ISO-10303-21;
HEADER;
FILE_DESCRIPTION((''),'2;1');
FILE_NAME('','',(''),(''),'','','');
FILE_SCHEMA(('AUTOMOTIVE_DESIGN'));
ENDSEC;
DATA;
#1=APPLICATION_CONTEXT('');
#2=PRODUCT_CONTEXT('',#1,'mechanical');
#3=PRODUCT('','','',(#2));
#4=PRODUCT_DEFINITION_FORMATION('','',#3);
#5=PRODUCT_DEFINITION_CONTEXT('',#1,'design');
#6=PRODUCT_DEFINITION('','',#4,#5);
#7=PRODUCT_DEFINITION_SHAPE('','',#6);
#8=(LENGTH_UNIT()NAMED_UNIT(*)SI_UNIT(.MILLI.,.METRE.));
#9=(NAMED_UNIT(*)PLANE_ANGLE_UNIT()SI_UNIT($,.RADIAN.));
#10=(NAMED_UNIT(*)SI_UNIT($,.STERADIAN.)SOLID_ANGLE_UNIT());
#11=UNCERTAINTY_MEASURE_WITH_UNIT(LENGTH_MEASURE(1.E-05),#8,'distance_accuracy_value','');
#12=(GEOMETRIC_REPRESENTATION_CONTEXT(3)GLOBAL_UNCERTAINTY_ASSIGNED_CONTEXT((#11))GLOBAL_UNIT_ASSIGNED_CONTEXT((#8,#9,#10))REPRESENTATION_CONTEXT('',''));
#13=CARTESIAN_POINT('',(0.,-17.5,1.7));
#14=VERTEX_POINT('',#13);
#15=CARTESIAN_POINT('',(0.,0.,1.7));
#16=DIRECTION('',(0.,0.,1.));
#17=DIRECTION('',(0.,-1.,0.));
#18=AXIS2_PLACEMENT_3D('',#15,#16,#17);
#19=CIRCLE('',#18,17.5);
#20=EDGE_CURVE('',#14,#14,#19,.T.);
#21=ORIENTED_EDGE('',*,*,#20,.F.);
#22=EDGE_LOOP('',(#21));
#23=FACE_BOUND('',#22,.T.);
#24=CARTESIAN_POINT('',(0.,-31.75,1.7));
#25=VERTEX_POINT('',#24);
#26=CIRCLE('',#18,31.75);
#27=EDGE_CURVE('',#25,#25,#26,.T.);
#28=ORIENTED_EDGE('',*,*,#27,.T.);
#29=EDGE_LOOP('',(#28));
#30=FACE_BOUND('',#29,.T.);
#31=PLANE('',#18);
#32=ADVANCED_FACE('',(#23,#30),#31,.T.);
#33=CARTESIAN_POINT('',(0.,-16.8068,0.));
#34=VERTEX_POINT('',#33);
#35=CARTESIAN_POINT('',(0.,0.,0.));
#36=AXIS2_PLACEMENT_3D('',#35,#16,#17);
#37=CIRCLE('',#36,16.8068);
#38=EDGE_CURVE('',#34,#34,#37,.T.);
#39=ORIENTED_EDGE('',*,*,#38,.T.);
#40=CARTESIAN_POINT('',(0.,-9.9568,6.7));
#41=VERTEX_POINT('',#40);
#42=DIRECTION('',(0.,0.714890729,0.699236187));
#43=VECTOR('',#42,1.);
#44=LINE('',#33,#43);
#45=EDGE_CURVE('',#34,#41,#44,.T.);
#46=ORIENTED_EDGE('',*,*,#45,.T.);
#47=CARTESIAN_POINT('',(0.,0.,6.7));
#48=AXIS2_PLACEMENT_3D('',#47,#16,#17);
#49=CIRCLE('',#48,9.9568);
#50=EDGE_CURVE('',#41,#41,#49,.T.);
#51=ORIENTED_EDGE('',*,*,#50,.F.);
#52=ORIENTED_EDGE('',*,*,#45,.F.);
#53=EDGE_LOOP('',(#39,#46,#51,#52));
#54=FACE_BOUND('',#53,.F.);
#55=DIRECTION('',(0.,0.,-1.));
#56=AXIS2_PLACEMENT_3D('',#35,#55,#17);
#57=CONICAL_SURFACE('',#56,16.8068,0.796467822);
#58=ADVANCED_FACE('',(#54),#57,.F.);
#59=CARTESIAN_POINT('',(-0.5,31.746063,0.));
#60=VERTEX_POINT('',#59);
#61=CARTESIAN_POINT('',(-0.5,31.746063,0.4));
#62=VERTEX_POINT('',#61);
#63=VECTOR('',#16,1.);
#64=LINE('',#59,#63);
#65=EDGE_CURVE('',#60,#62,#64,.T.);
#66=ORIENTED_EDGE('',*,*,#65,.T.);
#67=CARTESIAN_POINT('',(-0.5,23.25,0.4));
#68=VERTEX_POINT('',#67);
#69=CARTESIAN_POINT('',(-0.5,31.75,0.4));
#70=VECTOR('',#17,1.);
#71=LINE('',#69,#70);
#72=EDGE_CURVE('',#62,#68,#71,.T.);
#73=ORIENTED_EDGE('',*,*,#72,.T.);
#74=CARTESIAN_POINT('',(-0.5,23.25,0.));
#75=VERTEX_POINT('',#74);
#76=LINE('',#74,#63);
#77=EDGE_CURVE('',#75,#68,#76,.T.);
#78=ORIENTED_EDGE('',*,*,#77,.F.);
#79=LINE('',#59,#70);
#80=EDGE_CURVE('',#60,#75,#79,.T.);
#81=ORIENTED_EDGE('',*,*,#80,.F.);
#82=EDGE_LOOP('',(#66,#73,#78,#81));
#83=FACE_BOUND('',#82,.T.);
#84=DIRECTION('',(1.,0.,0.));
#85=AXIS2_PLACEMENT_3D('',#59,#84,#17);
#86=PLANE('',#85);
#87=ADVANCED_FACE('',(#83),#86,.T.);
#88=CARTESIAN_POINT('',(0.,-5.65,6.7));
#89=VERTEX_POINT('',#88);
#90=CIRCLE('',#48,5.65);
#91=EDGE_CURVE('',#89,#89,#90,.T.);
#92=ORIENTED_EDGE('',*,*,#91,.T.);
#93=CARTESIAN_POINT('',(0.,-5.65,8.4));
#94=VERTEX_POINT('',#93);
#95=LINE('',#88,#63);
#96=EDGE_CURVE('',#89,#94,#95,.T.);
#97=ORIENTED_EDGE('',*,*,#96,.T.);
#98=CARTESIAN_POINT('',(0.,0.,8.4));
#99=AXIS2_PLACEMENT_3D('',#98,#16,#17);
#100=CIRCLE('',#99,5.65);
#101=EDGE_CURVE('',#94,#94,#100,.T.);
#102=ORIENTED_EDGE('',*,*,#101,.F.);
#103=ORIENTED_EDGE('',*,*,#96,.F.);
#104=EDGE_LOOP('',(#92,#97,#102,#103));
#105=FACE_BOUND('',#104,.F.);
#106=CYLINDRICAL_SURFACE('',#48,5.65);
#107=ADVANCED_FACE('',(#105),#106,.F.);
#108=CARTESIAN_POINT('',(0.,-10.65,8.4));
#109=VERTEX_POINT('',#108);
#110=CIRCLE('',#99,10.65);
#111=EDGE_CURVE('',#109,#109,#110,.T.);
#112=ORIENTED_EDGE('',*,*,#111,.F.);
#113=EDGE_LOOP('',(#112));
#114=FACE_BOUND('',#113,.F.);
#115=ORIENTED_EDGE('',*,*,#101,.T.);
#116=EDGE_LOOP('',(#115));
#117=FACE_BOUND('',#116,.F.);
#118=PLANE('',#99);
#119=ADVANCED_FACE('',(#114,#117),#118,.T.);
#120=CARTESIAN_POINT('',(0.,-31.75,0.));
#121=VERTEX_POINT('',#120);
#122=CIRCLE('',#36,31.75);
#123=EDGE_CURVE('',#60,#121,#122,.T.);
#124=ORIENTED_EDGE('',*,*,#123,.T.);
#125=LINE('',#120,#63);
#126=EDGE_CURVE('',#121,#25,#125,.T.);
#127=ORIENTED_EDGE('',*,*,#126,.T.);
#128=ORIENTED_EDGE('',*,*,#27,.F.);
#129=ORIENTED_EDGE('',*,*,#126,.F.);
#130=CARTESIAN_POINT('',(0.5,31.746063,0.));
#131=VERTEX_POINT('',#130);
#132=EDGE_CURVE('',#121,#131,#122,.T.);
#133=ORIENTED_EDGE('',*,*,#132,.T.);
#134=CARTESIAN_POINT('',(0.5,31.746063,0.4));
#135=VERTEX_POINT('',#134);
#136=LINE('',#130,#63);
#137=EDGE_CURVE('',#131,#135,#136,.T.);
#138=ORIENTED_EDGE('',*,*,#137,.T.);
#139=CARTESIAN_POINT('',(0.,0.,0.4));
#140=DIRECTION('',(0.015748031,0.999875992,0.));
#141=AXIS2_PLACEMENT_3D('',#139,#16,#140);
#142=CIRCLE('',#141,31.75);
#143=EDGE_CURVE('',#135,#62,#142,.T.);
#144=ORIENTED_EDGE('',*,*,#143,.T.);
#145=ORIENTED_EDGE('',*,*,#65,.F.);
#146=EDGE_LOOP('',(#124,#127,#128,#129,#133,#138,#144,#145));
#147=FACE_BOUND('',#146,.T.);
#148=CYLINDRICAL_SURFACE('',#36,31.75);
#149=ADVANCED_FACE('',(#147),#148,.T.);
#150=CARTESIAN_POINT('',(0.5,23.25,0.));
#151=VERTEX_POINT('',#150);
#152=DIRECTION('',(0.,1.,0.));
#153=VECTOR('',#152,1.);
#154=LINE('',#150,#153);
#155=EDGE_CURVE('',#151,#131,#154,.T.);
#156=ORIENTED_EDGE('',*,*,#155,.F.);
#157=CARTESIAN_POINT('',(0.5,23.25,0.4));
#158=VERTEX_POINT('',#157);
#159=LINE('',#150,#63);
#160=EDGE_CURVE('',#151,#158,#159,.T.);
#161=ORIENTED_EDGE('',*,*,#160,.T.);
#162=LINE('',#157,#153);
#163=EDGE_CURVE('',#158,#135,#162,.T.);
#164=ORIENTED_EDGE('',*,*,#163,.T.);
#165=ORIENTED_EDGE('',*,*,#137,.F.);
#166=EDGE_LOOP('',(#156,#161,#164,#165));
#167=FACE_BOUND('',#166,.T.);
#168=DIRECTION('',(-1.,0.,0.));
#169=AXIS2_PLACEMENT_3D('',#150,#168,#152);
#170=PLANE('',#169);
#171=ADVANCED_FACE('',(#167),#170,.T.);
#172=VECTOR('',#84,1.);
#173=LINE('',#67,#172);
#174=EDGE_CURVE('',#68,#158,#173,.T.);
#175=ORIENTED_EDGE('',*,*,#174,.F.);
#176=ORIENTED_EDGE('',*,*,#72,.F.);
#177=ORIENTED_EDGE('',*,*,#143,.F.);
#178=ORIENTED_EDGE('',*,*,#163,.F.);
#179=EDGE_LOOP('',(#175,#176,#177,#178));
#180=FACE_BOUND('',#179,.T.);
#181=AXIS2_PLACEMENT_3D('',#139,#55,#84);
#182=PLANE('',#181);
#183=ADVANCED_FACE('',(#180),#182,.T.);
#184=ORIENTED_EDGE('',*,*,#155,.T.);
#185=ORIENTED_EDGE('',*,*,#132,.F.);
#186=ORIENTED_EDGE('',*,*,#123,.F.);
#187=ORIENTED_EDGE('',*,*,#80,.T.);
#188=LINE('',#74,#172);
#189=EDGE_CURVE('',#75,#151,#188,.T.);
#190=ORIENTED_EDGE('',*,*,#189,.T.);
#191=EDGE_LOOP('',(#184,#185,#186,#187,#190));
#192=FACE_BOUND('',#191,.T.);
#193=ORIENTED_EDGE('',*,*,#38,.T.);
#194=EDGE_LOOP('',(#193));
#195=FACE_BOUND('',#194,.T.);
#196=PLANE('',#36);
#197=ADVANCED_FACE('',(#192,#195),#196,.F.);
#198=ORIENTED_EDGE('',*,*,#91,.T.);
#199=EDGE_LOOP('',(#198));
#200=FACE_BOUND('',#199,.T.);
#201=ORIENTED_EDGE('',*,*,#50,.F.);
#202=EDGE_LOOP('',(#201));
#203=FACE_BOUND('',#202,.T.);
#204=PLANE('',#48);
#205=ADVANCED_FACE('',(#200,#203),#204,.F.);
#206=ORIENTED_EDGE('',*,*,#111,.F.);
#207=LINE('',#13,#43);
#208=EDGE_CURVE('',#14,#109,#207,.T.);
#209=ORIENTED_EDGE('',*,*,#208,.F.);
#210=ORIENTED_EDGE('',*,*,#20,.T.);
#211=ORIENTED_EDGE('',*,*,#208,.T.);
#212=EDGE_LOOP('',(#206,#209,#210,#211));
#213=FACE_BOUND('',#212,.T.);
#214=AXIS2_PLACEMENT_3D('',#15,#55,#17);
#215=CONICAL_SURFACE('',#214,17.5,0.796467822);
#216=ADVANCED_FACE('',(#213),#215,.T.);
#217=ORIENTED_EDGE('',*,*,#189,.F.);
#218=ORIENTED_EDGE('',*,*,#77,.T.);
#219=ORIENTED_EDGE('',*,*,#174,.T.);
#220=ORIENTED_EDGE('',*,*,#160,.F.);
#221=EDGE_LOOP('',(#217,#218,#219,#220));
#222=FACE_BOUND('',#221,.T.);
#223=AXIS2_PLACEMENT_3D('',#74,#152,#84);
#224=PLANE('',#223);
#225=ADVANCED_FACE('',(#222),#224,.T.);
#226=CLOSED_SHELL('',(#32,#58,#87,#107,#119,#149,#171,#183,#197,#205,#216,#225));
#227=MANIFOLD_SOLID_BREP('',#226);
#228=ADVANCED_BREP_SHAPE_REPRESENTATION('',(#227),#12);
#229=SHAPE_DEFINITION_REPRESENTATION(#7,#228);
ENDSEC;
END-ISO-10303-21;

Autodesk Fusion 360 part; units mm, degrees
sketch "Sketch1" plane through (0, 0, 0) normal (1, 0, 0) x (0, 1, 0)
  line L0 (-31.75, 0) -> (31.75, 0) construction
  line L1 (-31.75, 0) -> (-31.75, 1.7)
  line L2 (31.75, 0) -> (31.75, 1.7)
  line L3 (0, 0) -> (0, 8.4) construction
  line L4 (-5.65, 8.4) -> (5.65, 8.4) construction
  line L5 (-10.65, 8.4) -> (10.65, 8.4) construction
  line L6 (-5.65, 8.4) -> (-10.65, 8.4)
  line L7 (5.65, 8.4) -> (10.65, 8.4)
  line L8 (-17.5, 1.7) -> (17.5, 1.7) construction
  line L9 (-31.75, 1.7) -> (-17.5, 1.7)
  line L10 (-17.5, 1.7) -> (-10.65, 8.4)
  line L11 (31.75, 1.7) -> (17.5, 1.7)
  line L12 (17.5, 1.7) -> (10.65, 8.4)
  line L13 (-30.05, 0) -> (-16.8068, 0)
  line L14 (-16.8068, 0) -> (-9.9568, 6.7)
  line L15 (-5.65, 6.7) -> (-9.9568, 6.7)
  line L16 (30.05, 0) -> (16.8068, 0)
  line L17 (16.8068, 0) -> (9.9568, 6.7)
  line L18 (5.65, 6.7) -> (9.9568, 6.7)
  line L19 (-5.65, 6.7) -> (-5.65, 8.4)
  line L20 (5.65, 6.7) -> (5.65, 8.4)
  line L21 (-30.05, 0) -> (-31.75, 0)
  line L22 (30.05, 0) -> (31.75, 0)
  dimension "d1" = 63.5
  dimension "d2" = 1.7
  dimension "d3" = 1.7
  dimension "d4" = 8.4
  dimension "d5" = 11.3
  dimension "d6" = 21.3
  dimension "d7" = 5
  dimension "d8" = 5
  dimension "d9" = 35
  dimension "d10" = 1.7
  dimension "d11" = -1.7
revolve "Revolve1" add sketch "Sketch1" angle 360 about axis through (0, 0, 0) along (0, 0, 1) contours L1 L6 L9 L10 L13 L14 L15 L19 L21
sketch "Sketch2" plane through (0, 0, 0) normal (0, 0, -1) x (1, 0, 0)
  circle A0 centre (0, 0) radius 16.8068
  circle A1 centre (0, 0) radius 31.75
  line L0 (0.5, -31.75) -> (-0.5, -31.75)
  line L1 (-0.5, -31.75) -> (-0.5, -23.25)
  line L2 (-0.5, -23.25) -> (0.5, -23.25)
  line L3 (0.5, -23.25) -> (0.5, -31.75)
  circle A2 centre (0, 0) radius 31.75
  line L4 (0, -31.75) -> (0, 31.75) construction
  dimension "d13" = 1
  dimension "d14" = 8.5
  dimension "d15" = 63.5
extrude "Extrude1" cut sketch "Sketch2" against normal blind 0.4 contours A1 L1 L2 L3 A2 picked at (0, -26.0833)
